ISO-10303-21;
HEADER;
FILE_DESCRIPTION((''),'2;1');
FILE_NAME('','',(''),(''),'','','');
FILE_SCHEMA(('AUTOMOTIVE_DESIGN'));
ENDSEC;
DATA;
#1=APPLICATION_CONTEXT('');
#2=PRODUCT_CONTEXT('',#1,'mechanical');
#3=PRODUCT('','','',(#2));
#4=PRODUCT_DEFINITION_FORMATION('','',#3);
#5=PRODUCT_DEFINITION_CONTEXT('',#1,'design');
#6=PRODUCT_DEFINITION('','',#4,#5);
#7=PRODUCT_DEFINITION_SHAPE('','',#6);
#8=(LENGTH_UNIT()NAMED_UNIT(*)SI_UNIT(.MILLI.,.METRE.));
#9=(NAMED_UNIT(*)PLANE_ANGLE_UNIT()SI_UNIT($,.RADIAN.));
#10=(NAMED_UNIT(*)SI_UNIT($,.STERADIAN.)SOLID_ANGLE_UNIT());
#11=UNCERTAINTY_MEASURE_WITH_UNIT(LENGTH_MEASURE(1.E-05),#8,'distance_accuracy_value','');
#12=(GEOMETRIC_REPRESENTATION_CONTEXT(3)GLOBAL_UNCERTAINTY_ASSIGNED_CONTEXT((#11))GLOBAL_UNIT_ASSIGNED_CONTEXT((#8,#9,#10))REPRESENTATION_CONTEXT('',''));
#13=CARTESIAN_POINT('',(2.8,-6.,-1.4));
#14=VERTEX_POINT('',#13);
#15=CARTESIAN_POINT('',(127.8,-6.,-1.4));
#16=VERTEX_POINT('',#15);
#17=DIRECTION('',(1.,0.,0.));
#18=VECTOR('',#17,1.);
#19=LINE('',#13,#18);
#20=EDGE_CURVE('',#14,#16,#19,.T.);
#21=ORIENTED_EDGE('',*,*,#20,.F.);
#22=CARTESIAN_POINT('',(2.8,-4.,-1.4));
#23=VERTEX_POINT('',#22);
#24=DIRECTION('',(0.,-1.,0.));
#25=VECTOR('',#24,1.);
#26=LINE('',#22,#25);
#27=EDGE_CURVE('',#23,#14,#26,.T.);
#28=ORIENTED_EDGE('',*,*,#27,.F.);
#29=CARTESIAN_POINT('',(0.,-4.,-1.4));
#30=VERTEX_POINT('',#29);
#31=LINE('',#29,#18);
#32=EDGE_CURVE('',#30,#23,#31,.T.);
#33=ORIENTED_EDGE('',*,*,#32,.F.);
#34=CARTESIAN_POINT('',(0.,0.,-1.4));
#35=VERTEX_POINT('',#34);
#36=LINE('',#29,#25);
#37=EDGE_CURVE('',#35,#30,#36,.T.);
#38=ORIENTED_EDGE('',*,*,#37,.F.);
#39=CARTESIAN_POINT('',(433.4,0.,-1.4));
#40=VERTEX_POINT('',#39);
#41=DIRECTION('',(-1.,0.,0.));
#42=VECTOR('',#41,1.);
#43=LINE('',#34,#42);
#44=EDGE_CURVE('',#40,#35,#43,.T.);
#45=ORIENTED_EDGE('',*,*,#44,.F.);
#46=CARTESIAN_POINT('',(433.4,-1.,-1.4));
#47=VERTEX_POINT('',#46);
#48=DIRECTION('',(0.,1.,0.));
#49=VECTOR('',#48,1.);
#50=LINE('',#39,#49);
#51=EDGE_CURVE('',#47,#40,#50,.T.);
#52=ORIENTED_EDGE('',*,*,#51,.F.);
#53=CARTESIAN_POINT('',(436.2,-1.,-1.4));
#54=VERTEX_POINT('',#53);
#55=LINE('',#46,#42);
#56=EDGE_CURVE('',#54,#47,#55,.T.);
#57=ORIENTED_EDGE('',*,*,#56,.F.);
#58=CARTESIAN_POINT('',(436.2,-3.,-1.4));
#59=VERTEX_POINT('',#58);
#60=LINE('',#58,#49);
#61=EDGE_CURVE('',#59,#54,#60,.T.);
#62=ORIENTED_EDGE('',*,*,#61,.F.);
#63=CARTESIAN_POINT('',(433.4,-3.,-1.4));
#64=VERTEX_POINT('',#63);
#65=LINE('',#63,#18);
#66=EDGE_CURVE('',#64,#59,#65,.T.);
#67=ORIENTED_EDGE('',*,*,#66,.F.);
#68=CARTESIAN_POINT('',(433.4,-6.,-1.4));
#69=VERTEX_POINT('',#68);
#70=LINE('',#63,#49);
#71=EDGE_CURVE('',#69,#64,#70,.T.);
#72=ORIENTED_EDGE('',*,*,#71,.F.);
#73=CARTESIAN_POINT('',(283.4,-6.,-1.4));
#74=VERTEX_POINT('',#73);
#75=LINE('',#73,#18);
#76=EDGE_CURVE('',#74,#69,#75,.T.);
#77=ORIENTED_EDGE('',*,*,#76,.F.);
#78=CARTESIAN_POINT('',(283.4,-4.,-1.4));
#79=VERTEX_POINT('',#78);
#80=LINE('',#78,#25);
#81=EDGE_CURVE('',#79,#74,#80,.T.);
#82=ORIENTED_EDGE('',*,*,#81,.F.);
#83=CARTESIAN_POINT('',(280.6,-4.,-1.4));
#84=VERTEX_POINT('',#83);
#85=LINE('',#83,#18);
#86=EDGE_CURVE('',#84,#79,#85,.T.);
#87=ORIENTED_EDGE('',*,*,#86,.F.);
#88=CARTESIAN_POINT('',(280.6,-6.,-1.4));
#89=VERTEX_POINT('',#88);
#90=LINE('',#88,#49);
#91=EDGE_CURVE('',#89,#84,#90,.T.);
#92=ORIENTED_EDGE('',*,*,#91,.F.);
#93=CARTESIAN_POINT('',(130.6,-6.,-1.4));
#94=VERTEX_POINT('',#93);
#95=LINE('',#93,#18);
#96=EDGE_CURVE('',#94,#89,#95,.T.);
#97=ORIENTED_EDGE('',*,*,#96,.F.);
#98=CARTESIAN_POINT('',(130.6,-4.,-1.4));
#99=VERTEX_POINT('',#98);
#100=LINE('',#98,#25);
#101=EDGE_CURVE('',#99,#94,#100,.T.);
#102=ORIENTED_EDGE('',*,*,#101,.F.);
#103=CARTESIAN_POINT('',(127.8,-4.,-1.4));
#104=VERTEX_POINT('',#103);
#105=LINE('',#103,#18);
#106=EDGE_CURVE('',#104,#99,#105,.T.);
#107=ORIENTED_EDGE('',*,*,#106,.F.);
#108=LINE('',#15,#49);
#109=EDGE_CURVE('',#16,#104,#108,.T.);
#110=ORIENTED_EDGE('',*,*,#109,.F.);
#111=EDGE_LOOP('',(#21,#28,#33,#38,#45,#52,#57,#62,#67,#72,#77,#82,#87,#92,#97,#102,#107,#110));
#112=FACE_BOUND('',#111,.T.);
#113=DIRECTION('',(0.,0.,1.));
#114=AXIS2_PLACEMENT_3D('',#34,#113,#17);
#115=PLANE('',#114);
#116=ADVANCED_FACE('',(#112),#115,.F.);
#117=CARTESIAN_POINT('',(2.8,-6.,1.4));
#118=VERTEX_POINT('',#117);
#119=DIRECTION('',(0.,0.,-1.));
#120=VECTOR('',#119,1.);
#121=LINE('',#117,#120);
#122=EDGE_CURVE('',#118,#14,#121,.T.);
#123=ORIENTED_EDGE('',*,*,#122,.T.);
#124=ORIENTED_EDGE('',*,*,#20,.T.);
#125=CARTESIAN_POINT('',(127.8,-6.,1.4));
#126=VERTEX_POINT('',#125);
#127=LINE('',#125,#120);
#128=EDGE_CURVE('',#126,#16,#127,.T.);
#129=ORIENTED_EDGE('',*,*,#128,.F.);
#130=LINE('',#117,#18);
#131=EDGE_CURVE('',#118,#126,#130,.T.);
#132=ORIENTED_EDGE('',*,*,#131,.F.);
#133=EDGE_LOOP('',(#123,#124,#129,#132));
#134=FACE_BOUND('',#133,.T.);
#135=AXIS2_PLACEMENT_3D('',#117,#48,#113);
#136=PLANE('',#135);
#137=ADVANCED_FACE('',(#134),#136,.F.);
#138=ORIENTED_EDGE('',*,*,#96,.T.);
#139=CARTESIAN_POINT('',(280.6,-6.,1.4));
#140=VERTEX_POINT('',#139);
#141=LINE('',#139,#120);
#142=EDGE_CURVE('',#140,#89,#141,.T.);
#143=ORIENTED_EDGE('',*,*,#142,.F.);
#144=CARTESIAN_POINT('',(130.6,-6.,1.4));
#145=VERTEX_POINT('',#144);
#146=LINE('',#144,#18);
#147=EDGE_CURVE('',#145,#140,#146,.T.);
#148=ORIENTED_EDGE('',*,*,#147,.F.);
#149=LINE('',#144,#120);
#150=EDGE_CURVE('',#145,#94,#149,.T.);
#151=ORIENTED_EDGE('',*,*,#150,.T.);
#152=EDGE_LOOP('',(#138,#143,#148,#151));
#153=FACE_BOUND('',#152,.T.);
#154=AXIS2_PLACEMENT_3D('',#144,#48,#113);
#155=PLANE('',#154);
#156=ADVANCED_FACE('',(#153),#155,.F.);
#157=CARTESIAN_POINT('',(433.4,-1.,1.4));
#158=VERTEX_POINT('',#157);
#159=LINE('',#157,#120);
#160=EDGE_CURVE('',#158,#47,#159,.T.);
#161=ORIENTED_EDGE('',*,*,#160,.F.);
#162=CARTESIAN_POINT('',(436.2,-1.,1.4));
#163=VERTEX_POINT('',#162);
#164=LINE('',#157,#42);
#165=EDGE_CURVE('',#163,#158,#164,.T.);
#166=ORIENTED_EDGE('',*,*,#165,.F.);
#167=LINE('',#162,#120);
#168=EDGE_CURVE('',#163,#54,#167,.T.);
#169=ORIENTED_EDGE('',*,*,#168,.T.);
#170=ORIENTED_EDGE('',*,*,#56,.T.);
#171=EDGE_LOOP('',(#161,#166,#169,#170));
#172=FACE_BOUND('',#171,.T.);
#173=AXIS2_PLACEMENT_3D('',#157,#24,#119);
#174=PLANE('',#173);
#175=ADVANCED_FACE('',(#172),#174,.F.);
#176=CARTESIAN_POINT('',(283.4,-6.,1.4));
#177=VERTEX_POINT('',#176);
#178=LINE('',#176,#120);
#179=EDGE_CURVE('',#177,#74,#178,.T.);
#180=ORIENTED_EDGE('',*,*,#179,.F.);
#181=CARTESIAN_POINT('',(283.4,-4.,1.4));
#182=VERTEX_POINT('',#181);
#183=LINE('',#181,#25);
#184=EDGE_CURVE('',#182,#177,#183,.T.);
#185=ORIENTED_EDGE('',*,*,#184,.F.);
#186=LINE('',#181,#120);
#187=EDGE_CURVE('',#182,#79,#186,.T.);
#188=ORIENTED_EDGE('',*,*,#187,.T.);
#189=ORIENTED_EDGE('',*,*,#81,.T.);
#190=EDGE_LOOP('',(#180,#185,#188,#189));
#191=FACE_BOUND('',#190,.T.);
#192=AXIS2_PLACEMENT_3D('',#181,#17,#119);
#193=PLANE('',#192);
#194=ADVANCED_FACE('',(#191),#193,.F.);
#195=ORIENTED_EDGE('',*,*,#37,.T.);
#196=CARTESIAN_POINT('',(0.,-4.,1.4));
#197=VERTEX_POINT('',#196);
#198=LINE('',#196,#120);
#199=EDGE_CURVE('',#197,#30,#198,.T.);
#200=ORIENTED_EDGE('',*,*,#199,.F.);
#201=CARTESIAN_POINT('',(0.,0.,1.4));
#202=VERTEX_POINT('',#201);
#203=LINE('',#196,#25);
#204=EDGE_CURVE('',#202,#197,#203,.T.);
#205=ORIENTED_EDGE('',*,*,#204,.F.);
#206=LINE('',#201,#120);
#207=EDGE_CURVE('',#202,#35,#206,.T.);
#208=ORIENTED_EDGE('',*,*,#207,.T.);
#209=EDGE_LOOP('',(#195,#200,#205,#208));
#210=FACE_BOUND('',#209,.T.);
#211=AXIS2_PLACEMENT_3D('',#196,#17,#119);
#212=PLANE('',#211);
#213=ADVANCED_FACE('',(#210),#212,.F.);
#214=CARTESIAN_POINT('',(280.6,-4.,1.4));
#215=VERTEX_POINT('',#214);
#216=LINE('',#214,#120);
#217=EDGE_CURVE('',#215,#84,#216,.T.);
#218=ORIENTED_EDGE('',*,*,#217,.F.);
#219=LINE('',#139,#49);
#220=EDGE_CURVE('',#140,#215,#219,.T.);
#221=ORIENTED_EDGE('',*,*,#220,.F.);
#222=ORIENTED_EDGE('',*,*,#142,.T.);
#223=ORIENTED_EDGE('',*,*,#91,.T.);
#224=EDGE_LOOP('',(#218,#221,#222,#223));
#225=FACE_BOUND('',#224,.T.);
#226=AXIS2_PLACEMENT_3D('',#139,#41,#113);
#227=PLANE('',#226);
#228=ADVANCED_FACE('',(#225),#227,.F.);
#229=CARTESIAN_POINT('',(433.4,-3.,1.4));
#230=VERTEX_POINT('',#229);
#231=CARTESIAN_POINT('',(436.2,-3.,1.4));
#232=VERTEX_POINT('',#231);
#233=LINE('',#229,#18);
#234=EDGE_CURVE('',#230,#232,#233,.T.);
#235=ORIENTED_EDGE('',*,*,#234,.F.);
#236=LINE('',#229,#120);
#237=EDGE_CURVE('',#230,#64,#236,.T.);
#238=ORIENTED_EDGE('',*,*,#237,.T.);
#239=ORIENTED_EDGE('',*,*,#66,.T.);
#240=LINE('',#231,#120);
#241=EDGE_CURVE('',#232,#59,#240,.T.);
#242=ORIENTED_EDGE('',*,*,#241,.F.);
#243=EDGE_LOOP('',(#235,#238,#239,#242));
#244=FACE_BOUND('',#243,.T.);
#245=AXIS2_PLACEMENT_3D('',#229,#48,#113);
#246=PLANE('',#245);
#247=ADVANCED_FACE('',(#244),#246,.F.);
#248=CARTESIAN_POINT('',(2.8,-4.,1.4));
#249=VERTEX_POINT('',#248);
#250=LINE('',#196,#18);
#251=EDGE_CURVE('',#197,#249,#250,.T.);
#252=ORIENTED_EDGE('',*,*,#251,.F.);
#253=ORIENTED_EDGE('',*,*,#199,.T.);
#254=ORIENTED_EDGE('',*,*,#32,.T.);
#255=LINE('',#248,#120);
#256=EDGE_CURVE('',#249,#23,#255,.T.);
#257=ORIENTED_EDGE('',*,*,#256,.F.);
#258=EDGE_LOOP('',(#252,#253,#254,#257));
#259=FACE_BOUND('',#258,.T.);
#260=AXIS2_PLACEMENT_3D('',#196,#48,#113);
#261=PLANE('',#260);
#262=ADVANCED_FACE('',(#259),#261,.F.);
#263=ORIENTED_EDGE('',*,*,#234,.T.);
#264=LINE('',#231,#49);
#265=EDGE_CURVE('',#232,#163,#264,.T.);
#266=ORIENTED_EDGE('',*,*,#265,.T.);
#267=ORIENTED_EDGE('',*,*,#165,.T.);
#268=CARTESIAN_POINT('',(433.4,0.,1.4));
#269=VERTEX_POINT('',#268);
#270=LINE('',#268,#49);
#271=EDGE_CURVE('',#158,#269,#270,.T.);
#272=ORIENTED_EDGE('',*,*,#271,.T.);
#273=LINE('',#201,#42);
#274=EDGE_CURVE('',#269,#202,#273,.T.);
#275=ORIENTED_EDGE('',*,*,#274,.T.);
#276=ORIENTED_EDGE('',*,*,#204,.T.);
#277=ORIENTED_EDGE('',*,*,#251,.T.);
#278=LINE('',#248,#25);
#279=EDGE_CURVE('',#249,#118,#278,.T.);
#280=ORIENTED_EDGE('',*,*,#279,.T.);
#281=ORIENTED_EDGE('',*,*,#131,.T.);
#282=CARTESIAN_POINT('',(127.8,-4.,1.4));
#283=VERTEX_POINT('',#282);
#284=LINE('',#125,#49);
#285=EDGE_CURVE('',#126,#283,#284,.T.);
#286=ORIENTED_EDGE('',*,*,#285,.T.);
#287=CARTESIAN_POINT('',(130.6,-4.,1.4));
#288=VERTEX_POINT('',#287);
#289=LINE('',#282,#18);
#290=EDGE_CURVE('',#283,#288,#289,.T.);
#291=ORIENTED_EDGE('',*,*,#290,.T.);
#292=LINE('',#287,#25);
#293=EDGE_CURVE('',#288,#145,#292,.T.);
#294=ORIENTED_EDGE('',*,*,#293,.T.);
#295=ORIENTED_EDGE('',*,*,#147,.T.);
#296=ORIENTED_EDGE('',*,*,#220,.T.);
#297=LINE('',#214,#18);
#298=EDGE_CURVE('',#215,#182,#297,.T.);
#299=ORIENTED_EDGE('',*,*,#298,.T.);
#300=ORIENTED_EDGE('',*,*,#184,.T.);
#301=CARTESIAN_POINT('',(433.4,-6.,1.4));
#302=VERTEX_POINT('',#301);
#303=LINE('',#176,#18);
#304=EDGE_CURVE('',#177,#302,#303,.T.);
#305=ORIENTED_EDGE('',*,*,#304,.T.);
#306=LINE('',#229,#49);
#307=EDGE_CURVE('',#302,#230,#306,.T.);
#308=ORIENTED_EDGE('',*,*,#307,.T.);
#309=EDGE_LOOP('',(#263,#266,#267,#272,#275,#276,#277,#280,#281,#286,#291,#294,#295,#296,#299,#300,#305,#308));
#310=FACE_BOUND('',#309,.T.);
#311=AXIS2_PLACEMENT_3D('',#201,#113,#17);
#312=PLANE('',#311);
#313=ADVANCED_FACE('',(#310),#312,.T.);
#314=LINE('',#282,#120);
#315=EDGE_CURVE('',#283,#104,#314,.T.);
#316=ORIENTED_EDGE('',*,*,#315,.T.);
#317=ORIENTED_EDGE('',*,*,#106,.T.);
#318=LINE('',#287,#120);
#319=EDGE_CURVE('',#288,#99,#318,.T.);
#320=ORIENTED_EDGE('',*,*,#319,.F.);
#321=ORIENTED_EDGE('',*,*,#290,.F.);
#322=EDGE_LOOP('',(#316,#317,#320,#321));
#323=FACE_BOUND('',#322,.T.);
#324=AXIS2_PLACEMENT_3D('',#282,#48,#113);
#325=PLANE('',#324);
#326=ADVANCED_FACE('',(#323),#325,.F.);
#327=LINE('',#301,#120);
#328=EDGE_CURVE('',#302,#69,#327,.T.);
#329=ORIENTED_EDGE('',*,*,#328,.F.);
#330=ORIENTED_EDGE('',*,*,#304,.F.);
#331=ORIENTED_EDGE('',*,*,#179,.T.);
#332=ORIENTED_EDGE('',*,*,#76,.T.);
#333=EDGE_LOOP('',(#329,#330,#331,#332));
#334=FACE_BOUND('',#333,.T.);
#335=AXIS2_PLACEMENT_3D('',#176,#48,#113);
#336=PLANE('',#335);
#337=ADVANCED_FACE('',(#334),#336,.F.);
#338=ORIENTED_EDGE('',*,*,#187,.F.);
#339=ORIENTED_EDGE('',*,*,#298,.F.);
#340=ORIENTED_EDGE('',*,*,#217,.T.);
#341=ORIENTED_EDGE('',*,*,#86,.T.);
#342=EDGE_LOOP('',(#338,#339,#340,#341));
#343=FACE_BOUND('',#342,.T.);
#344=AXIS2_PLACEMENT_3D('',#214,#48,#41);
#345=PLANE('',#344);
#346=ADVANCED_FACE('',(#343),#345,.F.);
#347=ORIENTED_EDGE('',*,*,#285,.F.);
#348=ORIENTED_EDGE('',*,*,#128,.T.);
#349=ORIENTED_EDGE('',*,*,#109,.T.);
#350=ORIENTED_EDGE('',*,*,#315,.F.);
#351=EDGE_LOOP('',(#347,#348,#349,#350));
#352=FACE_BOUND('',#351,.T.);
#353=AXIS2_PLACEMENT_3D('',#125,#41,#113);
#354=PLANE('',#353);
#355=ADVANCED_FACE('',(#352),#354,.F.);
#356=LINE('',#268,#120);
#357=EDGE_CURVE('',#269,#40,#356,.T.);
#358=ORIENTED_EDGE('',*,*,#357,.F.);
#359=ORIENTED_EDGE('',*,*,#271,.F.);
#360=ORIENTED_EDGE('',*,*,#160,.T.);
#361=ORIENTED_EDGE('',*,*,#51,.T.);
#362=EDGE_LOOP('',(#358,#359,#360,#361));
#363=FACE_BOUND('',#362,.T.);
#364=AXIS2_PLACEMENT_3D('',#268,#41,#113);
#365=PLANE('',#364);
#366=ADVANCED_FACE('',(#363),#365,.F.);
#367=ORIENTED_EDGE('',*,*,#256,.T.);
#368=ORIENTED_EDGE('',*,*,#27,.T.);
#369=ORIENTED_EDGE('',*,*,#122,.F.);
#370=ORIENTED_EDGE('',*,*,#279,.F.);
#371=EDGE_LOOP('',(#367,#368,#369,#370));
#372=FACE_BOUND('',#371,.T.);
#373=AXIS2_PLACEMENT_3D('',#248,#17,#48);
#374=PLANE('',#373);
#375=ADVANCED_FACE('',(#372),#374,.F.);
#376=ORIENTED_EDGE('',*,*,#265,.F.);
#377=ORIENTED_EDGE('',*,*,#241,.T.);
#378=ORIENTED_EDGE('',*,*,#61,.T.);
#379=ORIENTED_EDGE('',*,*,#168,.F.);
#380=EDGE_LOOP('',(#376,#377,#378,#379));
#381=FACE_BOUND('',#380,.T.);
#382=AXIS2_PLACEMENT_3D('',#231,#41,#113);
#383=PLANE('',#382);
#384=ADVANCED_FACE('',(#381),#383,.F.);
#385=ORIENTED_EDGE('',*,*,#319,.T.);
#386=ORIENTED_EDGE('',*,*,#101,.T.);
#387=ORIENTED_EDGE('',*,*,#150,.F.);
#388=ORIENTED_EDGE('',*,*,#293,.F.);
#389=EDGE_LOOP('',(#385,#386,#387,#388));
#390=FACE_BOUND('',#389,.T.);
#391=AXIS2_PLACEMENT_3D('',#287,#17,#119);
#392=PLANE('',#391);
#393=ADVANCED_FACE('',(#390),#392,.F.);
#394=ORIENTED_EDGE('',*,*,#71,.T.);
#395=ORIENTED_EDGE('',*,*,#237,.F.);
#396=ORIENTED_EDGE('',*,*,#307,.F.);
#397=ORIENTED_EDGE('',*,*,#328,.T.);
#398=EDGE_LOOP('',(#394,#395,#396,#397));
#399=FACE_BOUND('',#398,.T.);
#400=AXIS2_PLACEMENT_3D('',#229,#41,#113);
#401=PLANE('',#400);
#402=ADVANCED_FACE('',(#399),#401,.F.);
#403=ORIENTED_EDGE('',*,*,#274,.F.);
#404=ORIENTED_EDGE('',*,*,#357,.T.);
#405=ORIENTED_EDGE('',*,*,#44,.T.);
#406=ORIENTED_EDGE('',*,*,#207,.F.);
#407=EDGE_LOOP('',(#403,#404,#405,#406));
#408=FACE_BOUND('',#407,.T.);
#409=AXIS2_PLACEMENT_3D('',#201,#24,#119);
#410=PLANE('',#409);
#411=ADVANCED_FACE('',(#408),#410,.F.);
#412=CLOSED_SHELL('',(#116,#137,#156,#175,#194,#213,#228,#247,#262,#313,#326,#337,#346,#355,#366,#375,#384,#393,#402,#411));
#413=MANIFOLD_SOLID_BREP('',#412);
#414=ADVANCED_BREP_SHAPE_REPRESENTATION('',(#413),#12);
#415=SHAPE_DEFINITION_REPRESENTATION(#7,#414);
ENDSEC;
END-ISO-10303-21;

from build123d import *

# Parameters (mm, degrees)
EXTRUDE_1_DEPTH = 1.4


with BuildPart() as part:
    # Эскиз1 → Бобышка-Вытянуть1 (new, symmetric)
    with BuildSketch(Plane.XY):
        Polygon((0, -4), (2.8, -4), (2.8, -6), (127.8, -6), (127.8, -4), (130.6, -4), (130.6, -6), (280.6, -6), (280.6, -4), (283.4, -4), (283.4, -6), (433.4, -6), (433.4, -3), (436.2, -3), (436.2, -1), (433.4, -1), (433.4, 0), (0, 0), align=None)
    extrude(amount=EXTRUDE_1_DEPTH, both=True)


solid = part.part
